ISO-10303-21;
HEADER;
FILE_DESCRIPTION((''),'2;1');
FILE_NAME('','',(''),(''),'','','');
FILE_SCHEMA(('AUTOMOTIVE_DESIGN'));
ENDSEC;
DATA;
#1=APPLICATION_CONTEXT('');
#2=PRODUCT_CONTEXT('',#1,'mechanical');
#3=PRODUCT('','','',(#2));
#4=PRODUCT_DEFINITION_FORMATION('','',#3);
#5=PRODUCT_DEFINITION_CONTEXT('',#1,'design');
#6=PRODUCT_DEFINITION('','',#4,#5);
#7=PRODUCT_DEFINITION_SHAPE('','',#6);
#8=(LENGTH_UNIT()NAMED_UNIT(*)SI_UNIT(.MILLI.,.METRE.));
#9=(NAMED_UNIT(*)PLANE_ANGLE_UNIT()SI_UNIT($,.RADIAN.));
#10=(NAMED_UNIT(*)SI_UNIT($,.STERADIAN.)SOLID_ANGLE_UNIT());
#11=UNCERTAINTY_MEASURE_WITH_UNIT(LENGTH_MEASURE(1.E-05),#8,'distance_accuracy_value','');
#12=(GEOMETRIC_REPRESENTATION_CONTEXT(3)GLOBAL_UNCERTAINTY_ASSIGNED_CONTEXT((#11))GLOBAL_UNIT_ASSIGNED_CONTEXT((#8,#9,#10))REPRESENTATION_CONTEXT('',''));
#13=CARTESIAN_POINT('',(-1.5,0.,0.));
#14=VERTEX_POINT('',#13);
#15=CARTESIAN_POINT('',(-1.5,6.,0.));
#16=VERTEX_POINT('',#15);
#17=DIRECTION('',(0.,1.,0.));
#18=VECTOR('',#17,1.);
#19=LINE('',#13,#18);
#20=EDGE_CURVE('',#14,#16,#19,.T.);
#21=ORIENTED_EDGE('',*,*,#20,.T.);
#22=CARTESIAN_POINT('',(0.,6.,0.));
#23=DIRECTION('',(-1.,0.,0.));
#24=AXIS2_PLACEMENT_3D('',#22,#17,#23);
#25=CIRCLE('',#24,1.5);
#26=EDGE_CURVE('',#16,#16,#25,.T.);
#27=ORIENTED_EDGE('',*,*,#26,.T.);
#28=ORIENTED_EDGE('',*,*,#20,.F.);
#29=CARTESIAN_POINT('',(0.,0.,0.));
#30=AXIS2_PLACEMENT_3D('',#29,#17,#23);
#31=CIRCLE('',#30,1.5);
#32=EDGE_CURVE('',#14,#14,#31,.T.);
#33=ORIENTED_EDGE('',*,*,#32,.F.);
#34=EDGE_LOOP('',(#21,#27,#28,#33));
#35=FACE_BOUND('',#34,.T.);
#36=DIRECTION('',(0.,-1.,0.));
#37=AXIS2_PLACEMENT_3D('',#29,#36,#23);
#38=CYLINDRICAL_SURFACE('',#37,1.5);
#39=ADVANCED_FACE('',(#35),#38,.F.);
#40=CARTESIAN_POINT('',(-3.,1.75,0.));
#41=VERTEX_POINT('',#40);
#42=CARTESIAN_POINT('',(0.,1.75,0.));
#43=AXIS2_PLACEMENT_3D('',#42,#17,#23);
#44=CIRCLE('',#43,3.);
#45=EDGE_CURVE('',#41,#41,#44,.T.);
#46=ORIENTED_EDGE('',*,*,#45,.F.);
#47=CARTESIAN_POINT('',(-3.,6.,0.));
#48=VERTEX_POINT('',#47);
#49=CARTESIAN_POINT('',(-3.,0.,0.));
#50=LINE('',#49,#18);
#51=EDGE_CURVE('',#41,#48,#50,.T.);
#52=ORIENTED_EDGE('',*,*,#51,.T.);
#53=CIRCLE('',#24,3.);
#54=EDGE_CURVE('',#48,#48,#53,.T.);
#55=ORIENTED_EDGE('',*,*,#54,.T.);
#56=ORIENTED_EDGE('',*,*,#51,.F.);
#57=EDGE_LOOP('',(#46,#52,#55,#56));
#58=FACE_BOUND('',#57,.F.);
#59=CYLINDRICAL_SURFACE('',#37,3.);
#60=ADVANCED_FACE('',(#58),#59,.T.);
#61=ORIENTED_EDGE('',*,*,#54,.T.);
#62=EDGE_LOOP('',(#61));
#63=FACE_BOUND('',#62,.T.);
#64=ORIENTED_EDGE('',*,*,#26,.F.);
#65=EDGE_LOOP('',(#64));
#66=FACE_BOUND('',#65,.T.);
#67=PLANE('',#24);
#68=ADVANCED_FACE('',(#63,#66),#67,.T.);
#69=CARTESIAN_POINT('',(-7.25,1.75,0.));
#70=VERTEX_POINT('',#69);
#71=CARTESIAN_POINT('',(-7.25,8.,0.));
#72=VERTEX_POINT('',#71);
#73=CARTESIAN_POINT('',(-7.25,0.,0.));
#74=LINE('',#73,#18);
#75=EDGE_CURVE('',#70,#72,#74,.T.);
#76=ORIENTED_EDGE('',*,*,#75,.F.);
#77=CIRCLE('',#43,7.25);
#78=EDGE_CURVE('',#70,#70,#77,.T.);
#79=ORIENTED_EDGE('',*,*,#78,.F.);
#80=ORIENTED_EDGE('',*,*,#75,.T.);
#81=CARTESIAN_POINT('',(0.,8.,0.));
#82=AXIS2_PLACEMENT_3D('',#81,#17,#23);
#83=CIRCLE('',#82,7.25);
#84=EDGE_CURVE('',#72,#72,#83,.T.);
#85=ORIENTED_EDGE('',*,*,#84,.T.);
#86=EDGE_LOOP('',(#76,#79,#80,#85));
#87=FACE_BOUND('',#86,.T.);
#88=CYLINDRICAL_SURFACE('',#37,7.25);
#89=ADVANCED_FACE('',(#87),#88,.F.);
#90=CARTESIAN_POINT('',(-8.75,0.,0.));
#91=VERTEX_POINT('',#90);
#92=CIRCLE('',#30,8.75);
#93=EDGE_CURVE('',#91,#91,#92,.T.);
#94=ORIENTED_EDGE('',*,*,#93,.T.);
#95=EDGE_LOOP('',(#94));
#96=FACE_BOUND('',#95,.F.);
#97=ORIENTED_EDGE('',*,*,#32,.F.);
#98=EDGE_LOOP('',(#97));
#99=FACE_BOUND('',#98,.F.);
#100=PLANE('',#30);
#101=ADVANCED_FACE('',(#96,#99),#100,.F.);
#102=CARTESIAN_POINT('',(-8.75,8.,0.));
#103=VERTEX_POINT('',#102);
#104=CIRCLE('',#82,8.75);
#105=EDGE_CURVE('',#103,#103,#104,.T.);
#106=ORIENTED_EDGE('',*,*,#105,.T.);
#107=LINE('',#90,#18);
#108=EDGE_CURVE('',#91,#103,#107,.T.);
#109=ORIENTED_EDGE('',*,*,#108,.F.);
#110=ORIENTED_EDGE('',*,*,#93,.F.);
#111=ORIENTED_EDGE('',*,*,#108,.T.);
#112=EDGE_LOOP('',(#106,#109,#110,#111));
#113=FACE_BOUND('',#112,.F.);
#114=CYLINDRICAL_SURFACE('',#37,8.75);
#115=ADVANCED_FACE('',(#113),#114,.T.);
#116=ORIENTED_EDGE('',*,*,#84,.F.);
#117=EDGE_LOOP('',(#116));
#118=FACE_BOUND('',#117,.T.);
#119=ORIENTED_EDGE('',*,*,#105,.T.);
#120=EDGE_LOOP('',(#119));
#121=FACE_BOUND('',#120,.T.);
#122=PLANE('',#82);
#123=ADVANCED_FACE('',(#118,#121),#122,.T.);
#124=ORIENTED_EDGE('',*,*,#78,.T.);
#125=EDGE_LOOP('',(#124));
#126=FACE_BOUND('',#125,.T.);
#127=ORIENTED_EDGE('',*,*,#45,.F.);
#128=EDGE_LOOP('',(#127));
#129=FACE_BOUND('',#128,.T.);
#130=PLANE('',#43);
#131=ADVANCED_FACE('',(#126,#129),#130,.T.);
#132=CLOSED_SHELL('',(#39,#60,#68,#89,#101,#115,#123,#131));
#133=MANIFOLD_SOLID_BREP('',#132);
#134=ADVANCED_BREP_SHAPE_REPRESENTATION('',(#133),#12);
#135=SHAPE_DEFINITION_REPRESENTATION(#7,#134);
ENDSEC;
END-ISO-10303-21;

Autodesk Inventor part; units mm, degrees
ref_plane "YZ Plane" through (0, 0, 0) normal (1, 0, 0) x (0, 1, 0)
ref_plane "XZ Plane" through (0, 0, 0) normal (0, 1, 0) x (-1, 0, 0)
ref_plane "XY Plane" through (0, 0, 0) normal (0, 0, 1) x (1, 0, 0)
sketch "Эскиз1" plane through (0, 0, 0) normal (0, 1, 0) x (-1, 0, 0)
  circle A0 centre (0, 0) radius 8.75
  circle A1 centre (0, 0) radius 1.5
  circle A2 centre (0, 0) radius 3
  circle A3 centre (0, 0) radius 7.25
  point P0 (-0.5625, 2.9468)
  point P1 (-0.6797, 7.2181)
  point P2 (0.6797, 7.2181)
  point P3 (0.5625, 2.9468)
  dimension "d1" = 3
  dimension "d2" = 6
  dimension "d24" = 17.5
  dimension "d41" = 1.5
extrude "Выдавливание1" add sketch "Эскиз1" along normal blind 8 contours A0
extrude "Выдавливание7" add sketch "Эскиз1" along normal blind 6 contours A2
extrude "Выдавливание8" add sketch "Эскиз1" along normal blind 1.75 contours A3
properties part number "Колесо заднее"
